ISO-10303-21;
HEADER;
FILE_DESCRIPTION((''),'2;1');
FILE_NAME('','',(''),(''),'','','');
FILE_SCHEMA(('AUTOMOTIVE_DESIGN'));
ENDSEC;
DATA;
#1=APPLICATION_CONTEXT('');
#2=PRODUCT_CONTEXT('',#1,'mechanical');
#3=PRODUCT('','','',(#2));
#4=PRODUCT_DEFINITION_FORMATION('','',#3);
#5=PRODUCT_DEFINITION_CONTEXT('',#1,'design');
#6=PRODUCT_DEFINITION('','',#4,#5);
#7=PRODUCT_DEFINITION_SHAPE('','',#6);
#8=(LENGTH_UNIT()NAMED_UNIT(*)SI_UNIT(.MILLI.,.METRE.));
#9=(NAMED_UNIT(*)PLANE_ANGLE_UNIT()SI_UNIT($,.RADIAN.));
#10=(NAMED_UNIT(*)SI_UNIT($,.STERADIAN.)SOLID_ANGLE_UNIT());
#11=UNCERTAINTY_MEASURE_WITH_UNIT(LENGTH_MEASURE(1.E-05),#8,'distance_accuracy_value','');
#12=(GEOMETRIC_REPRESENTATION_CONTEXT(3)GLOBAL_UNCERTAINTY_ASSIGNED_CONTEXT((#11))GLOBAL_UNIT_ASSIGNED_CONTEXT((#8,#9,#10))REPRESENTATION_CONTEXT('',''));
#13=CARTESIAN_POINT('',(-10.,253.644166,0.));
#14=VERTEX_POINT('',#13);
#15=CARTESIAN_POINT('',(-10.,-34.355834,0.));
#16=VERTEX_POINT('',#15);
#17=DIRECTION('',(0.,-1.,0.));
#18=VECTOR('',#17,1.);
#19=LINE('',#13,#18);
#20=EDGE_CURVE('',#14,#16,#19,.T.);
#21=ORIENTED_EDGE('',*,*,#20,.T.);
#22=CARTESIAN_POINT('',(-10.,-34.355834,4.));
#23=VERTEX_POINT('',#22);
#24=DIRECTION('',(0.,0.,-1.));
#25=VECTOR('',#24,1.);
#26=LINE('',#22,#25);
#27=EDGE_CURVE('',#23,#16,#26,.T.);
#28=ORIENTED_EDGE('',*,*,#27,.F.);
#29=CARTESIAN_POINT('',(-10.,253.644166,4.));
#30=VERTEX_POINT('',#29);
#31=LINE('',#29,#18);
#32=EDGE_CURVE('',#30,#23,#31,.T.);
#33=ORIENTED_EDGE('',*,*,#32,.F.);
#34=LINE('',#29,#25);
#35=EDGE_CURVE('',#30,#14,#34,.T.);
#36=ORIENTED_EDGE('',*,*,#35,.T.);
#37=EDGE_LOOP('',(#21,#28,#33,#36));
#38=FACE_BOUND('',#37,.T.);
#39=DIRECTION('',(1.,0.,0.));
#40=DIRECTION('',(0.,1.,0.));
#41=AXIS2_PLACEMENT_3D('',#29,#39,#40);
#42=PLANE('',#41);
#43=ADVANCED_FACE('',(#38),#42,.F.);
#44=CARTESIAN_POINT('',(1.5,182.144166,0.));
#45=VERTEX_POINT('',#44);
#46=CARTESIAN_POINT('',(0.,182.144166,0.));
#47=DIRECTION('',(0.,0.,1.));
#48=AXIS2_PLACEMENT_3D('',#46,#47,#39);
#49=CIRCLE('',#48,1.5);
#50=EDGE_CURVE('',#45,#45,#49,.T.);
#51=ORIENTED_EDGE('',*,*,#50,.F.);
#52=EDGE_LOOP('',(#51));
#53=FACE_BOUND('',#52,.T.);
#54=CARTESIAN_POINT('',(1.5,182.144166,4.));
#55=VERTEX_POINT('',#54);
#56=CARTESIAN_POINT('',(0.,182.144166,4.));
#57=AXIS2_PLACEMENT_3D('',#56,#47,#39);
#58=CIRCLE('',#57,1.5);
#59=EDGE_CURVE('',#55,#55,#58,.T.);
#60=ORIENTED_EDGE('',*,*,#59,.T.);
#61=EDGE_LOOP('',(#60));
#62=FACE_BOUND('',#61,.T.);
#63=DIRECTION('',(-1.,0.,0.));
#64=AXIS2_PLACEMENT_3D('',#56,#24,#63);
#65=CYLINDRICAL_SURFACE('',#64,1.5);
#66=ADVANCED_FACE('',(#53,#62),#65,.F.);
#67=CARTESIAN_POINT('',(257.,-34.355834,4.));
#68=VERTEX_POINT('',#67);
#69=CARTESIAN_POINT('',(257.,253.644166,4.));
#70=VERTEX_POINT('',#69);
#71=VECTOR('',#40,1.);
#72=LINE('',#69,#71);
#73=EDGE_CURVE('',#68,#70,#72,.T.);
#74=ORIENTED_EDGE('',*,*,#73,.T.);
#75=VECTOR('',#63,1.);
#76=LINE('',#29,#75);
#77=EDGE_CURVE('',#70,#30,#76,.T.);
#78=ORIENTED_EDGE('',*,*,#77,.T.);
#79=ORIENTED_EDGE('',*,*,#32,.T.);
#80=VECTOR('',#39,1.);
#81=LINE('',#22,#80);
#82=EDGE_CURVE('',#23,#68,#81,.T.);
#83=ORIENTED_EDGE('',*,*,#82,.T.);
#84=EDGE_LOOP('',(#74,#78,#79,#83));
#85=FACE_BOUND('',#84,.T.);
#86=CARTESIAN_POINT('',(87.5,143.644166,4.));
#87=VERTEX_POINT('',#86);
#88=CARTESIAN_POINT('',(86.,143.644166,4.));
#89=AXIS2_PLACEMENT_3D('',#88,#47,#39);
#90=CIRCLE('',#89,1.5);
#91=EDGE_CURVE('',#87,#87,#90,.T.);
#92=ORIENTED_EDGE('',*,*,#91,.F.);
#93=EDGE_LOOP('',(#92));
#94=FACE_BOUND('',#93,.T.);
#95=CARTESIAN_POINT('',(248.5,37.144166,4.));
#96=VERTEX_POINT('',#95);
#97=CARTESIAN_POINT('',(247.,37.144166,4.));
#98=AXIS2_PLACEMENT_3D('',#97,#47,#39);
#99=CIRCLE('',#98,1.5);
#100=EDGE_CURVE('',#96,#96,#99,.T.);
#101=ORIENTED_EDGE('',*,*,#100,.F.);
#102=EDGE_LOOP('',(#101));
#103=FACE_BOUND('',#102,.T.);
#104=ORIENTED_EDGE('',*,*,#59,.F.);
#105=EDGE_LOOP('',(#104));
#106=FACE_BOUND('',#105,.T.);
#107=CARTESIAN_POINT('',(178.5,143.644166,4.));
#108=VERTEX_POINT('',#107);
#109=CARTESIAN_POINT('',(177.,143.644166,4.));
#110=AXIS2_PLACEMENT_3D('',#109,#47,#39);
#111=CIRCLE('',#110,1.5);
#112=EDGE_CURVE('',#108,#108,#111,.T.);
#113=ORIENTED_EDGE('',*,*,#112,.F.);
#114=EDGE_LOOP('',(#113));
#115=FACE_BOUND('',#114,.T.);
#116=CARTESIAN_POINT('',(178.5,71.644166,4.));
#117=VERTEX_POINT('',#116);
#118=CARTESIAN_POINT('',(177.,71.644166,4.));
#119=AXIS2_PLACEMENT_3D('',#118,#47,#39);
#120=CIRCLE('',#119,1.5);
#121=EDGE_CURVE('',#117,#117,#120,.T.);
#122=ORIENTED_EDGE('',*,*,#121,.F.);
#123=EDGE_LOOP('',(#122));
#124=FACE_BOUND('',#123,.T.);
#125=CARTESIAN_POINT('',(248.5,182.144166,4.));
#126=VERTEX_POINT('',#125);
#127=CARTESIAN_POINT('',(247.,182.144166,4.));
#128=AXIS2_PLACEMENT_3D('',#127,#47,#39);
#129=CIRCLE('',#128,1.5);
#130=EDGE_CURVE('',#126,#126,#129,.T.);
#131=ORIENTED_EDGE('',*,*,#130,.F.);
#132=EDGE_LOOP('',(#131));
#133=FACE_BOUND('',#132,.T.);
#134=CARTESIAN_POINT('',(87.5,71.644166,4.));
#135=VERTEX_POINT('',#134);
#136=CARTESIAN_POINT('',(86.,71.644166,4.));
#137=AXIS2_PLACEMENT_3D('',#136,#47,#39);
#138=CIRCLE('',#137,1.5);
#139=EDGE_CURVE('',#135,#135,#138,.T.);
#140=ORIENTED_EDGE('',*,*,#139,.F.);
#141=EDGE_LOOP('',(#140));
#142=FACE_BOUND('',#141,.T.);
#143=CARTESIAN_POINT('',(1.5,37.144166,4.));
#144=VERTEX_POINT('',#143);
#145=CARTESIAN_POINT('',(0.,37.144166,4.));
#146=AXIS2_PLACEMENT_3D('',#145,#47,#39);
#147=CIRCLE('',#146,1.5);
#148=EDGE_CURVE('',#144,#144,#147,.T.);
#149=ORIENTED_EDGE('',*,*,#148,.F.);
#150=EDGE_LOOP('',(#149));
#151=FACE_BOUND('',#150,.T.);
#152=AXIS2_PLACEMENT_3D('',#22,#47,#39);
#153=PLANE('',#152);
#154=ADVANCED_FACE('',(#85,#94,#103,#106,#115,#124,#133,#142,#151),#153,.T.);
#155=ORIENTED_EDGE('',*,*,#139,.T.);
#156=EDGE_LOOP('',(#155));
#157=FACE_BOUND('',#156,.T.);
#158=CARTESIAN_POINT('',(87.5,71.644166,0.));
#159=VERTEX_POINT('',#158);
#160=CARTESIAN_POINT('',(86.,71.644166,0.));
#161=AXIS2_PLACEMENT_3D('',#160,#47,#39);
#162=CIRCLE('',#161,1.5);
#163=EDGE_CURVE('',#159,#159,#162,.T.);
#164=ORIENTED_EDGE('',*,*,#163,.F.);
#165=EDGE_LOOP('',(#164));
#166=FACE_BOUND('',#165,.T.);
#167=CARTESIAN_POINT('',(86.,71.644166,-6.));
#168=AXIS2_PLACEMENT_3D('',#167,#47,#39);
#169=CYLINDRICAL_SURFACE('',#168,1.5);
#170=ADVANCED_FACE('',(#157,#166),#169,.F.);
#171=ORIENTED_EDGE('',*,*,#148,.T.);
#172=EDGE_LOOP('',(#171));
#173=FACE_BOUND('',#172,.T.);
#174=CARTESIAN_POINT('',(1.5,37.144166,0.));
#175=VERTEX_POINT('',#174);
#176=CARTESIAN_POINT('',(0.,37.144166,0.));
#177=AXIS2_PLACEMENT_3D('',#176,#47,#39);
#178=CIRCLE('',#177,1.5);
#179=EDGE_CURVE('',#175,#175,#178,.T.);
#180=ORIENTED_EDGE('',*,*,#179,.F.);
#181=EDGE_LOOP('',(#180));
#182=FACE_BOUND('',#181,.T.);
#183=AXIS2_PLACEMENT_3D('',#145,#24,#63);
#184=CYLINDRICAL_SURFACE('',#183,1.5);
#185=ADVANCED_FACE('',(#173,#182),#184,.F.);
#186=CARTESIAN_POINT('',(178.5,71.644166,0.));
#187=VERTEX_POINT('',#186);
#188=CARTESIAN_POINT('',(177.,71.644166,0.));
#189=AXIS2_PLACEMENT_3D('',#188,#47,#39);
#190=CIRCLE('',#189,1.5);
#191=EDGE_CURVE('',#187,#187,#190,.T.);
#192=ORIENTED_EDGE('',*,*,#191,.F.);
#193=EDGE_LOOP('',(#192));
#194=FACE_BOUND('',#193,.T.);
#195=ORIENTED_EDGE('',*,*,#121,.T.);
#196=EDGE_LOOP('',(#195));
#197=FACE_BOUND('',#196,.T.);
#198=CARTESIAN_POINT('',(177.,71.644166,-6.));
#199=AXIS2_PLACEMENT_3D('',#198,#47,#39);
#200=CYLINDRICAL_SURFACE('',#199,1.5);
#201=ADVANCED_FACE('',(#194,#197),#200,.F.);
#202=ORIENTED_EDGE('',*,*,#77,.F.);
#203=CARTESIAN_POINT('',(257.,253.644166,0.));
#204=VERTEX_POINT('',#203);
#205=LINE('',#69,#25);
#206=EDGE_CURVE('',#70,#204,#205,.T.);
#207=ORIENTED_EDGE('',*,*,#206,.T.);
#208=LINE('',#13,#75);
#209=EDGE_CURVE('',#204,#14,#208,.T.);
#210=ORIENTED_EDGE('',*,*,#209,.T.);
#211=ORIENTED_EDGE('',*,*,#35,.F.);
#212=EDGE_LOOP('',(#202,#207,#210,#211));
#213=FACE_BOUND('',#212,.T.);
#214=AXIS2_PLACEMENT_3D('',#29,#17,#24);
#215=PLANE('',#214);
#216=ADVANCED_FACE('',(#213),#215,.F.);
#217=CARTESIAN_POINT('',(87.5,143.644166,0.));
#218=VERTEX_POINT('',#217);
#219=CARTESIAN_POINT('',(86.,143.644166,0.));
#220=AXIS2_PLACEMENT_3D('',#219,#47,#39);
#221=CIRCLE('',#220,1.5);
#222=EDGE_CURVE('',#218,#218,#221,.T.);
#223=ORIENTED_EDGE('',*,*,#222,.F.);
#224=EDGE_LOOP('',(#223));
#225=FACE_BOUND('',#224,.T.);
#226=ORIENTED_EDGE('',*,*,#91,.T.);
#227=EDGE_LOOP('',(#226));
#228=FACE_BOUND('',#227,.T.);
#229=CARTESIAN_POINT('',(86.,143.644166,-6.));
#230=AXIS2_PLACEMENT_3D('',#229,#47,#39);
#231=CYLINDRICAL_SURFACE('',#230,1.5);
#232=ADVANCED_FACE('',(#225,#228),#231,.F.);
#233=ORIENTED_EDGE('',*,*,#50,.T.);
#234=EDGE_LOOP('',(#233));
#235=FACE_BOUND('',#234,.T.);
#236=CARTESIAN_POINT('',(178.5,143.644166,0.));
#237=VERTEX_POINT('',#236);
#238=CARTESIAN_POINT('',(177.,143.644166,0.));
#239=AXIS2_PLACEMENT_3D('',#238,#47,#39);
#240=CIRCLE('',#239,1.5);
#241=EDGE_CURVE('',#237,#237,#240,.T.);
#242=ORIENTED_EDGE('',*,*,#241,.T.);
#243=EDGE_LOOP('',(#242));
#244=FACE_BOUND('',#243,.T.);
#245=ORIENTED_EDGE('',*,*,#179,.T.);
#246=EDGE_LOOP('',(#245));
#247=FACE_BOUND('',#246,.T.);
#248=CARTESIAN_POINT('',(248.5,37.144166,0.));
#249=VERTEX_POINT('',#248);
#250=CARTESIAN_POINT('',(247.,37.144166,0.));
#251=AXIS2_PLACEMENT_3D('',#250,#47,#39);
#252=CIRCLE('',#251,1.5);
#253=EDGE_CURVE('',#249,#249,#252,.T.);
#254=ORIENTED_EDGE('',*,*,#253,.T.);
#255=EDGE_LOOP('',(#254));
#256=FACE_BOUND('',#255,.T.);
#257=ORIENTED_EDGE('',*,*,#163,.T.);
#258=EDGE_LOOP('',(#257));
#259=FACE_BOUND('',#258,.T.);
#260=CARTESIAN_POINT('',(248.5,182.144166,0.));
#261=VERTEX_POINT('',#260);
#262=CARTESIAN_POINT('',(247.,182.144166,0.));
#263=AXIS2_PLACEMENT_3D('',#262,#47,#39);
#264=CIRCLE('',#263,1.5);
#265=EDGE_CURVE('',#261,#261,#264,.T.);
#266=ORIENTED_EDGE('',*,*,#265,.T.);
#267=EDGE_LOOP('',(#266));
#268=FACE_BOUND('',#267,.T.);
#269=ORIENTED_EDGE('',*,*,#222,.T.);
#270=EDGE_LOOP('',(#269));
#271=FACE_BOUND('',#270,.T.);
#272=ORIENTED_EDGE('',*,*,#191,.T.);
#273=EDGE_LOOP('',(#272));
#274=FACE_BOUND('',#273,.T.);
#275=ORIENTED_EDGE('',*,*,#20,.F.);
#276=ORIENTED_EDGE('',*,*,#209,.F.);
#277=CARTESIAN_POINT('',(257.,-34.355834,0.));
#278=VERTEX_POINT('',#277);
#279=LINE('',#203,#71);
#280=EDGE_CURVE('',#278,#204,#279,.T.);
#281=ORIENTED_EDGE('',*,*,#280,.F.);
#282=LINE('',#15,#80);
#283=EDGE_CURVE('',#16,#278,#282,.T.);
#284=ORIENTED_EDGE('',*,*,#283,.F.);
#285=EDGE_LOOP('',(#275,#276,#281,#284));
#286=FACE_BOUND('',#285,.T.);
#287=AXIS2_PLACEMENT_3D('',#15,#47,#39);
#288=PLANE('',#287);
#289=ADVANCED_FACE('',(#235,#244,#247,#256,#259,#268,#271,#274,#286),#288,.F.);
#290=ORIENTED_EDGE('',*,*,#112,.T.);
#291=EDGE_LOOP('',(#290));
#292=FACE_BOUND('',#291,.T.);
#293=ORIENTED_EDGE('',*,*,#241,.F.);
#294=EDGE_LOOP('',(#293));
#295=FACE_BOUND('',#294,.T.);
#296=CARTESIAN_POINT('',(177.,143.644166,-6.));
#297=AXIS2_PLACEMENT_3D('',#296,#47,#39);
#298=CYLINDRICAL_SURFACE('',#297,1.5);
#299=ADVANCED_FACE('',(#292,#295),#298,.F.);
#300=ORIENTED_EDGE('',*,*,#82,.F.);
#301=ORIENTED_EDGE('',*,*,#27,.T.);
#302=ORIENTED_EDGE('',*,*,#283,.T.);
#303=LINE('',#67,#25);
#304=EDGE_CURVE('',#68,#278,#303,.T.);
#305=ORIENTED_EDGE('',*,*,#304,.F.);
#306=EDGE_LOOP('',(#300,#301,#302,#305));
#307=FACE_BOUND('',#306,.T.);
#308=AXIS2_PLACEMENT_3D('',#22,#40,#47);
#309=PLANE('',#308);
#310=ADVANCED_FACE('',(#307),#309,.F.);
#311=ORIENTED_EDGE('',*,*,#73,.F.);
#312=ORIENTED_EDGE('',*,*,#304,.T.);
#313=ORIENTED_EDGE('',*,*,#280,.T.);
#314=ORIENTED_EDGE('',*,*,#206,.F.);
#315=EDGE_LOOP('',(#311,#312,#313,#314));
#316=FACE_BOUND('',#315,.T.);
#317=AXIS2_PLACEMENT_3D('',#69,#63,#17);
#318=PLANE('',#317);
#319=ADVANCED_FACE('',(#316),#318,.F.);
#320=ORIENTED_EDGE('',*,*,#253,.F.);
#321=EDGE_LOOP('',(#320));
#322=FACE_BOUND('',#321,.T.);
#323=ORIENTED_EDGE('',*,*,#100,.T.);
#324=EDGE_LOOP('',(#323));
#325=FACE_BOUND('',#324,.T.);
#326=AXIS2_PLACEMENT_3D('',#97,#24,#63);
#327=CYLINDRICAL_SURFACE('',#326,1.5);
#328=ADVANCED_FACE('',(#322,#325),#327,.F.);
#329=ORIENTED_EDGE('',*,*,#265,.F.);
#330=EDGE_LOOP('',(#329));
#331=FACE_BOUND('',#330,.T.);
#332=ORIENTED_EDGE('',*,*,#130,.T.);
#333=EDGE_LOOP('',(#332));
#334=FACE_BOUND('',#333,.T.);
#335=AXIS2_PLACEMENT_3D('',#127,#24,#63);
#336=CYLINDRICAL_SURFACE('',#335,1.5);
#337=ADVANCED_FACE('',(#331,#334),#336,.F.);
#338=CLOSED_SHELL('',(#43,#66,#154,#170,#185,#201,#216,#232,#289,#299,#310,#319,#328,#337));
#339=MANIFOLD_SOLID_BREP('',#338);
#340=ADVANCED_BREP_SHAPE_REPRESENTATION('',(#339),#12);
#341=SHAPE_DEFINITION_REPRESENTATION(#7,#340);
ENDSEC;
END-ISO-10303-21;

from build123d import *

# Parameters (mm, degrees)
ESQUISSE1_W      = 267
ESQUISSE1_H      = 288
ESQUISSE1_R      = 1.5
EXTRUSION1_DEPTH = 4
ESQUISSE2_R      = 1.5
EXTRUSION2_DEPTH = 10


with BuildPart() as part:
    # Esquisse1 → Extrusion1 (new body)
    with BuildSketch(Plane.XY):
        with Locations((123.5, 109.644166131)):
            Rectangle(ESQUISSE1_W, ESQUISSE1_H)
        with Locations((0, 182.144166131)):
            Circle(ESQUISSE1_R, mode=Mode.SUBTRACT)
        with Locations((0, 37.144166131)):
            Circle(ESQUISSE1_R, mode=Mode.SUBTRACT)
        with Locations((247, 37.144166131)):
            Circle(ESQUISSE1_R, mode=Mode.SUBTRACT)
        with Locations((247, 182.144166131)):
            Circle(ESQUISSE1_R, mode=Mode.SUBTRACT)
    extrude(amount=EXTRUSION1_DEPTH)

    # Esquisse2 → Extrusion2 (cut)
    with BuildSketch(Plane.XY.offset(4)):
        with Locations((86, 143.644166131)):
            Circle(ESQUISSE2_R)
        with Locations((177, 143.644166131)):
            Circle(ESQUISSE2_R)
        with Locations((177, 71.644166131)):
            Circle(ESQUISSE2_R)
        with Locations((86, 71.644166131)):
            Circle(ESQUISSE2_R)
    extrude(amount=-EXTRUSION2_DEPTH, mode=Mode.SUBTRACT)


solid = part.part
